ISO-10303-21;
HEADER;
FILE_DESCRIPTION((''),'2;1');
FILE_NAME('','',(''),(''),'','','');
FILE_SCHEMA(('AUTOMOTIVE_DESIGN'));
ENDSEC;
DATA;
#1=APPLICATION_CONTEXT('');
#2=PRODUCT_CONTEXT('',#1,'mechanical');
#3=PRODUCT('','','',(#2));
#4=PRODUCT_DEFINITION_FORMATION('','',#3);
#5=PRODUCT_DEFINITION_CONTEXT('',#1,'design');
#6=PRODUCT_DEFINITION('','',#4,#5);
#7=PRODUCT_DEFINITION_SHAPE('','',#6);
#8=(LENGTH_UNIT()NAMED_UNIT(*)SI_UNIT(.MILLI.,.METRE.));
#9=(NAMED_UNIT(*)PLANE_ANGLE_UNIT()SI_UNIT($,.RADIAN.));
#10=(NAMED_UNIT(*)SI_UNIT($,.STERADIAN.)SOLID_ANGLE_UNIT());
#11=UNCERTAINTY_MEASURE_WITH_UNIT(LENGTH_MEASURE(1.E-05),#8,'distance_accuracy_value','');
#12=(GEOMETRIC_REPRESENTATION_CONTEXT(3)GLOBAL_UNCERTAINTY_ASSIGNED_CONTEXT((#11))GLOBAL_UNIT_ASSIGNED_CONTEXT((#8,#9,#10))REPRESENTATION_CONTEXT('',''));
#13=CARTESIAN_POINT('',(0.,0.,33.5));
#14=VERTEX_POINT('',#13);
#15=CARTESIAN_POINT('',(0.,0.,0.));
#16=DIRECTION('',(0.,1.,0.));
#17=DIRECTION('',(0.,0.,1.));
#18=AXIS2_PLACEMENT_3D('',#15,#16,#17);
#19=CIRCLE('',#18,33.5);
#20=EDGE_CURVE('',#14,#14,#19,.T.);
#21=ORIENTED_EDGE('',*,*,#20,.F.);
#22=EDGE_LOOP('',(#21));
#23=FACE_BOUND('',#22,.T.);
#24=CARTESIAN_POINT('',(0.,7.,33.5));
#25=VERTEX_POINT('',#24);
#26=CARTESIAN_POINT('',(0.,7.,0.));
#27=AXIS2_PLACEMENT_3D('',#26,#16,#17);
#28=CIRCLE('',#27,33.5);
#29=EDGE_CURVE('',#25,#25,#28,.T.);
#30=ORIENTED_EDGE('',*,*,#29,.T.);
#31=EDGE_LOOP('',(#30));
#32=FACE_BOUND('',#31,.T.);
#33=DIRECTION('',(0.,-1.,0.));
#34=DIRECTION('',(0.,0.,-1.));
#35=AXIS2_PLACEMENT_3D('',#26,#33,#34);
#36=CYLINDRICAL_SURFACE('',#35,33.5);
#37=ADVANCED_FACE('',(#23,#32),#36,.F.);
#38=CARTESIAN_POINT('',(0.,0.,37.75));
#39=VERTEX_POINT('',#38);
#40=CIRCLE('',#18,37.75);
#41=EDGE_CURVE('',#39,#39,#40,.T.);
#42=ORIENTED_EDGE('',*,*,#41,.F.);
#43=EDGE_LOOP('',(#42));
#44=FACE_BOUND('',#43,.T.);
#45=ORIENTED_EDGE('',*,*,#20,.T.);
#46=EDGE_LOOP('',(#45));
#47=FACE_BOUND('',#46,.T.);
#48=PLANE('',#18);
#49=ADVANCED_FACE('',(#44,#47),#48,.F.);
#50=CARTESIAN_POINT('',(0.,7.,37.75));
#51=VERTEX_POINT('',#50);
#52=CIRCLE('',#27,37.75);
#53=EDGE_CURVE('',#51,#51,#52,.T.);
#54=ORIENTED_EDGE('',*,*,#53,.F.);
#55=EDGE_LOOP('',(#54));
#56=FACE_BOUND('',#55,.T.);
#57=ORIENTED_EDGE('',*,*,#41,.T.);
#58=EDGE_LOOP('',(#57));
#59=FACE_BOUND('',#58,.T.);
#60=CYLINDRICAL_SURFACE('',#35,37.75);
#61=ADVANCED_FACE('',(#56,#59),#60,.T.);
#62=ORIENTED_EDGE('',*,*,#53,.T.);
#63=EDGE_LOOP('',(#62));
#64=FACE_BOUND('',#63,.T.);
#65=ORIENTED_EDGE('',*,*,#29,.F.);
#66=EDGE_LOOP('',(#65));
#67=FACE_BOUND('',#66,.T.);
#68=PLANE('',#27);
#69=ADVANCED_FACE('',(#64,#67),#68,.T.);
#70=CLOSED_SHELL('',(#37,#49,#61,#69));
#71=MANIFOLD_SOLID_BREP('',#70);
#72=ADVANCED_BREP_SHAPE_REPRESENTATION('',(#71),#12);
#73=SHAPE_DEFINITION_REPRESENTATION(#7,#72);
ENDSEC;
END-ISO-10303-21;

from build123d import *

# Parameters (mm, degrees)
ESBO_O1_R                = 37.75
ESBO_O1_R_2              = 33.5
RESSALTO_EXTRUS_O1_DEPTH = 7


with BuildPart() as part:
    # Esboço1 → Ressalto-extrusão1 (new body)
    with BuildSketch(Plane(origin=(0, 0, 0), x_dir=(1, 0, 0), z_dir=(0, 1, 0))):
        with Locations(Location((0, 0, 0), (0, 0, 270))):
            Circle(ESBO_O1_R)
        with Locations(Location((0, 0, 0), (0, 0, 270))):
            Circle(ESBO_O1_R_2, mode=Mode.SUBTRACT)
    extrude(amount=RESSALTO_EXTRUS_O1_DEPTH)


solid = part.part
